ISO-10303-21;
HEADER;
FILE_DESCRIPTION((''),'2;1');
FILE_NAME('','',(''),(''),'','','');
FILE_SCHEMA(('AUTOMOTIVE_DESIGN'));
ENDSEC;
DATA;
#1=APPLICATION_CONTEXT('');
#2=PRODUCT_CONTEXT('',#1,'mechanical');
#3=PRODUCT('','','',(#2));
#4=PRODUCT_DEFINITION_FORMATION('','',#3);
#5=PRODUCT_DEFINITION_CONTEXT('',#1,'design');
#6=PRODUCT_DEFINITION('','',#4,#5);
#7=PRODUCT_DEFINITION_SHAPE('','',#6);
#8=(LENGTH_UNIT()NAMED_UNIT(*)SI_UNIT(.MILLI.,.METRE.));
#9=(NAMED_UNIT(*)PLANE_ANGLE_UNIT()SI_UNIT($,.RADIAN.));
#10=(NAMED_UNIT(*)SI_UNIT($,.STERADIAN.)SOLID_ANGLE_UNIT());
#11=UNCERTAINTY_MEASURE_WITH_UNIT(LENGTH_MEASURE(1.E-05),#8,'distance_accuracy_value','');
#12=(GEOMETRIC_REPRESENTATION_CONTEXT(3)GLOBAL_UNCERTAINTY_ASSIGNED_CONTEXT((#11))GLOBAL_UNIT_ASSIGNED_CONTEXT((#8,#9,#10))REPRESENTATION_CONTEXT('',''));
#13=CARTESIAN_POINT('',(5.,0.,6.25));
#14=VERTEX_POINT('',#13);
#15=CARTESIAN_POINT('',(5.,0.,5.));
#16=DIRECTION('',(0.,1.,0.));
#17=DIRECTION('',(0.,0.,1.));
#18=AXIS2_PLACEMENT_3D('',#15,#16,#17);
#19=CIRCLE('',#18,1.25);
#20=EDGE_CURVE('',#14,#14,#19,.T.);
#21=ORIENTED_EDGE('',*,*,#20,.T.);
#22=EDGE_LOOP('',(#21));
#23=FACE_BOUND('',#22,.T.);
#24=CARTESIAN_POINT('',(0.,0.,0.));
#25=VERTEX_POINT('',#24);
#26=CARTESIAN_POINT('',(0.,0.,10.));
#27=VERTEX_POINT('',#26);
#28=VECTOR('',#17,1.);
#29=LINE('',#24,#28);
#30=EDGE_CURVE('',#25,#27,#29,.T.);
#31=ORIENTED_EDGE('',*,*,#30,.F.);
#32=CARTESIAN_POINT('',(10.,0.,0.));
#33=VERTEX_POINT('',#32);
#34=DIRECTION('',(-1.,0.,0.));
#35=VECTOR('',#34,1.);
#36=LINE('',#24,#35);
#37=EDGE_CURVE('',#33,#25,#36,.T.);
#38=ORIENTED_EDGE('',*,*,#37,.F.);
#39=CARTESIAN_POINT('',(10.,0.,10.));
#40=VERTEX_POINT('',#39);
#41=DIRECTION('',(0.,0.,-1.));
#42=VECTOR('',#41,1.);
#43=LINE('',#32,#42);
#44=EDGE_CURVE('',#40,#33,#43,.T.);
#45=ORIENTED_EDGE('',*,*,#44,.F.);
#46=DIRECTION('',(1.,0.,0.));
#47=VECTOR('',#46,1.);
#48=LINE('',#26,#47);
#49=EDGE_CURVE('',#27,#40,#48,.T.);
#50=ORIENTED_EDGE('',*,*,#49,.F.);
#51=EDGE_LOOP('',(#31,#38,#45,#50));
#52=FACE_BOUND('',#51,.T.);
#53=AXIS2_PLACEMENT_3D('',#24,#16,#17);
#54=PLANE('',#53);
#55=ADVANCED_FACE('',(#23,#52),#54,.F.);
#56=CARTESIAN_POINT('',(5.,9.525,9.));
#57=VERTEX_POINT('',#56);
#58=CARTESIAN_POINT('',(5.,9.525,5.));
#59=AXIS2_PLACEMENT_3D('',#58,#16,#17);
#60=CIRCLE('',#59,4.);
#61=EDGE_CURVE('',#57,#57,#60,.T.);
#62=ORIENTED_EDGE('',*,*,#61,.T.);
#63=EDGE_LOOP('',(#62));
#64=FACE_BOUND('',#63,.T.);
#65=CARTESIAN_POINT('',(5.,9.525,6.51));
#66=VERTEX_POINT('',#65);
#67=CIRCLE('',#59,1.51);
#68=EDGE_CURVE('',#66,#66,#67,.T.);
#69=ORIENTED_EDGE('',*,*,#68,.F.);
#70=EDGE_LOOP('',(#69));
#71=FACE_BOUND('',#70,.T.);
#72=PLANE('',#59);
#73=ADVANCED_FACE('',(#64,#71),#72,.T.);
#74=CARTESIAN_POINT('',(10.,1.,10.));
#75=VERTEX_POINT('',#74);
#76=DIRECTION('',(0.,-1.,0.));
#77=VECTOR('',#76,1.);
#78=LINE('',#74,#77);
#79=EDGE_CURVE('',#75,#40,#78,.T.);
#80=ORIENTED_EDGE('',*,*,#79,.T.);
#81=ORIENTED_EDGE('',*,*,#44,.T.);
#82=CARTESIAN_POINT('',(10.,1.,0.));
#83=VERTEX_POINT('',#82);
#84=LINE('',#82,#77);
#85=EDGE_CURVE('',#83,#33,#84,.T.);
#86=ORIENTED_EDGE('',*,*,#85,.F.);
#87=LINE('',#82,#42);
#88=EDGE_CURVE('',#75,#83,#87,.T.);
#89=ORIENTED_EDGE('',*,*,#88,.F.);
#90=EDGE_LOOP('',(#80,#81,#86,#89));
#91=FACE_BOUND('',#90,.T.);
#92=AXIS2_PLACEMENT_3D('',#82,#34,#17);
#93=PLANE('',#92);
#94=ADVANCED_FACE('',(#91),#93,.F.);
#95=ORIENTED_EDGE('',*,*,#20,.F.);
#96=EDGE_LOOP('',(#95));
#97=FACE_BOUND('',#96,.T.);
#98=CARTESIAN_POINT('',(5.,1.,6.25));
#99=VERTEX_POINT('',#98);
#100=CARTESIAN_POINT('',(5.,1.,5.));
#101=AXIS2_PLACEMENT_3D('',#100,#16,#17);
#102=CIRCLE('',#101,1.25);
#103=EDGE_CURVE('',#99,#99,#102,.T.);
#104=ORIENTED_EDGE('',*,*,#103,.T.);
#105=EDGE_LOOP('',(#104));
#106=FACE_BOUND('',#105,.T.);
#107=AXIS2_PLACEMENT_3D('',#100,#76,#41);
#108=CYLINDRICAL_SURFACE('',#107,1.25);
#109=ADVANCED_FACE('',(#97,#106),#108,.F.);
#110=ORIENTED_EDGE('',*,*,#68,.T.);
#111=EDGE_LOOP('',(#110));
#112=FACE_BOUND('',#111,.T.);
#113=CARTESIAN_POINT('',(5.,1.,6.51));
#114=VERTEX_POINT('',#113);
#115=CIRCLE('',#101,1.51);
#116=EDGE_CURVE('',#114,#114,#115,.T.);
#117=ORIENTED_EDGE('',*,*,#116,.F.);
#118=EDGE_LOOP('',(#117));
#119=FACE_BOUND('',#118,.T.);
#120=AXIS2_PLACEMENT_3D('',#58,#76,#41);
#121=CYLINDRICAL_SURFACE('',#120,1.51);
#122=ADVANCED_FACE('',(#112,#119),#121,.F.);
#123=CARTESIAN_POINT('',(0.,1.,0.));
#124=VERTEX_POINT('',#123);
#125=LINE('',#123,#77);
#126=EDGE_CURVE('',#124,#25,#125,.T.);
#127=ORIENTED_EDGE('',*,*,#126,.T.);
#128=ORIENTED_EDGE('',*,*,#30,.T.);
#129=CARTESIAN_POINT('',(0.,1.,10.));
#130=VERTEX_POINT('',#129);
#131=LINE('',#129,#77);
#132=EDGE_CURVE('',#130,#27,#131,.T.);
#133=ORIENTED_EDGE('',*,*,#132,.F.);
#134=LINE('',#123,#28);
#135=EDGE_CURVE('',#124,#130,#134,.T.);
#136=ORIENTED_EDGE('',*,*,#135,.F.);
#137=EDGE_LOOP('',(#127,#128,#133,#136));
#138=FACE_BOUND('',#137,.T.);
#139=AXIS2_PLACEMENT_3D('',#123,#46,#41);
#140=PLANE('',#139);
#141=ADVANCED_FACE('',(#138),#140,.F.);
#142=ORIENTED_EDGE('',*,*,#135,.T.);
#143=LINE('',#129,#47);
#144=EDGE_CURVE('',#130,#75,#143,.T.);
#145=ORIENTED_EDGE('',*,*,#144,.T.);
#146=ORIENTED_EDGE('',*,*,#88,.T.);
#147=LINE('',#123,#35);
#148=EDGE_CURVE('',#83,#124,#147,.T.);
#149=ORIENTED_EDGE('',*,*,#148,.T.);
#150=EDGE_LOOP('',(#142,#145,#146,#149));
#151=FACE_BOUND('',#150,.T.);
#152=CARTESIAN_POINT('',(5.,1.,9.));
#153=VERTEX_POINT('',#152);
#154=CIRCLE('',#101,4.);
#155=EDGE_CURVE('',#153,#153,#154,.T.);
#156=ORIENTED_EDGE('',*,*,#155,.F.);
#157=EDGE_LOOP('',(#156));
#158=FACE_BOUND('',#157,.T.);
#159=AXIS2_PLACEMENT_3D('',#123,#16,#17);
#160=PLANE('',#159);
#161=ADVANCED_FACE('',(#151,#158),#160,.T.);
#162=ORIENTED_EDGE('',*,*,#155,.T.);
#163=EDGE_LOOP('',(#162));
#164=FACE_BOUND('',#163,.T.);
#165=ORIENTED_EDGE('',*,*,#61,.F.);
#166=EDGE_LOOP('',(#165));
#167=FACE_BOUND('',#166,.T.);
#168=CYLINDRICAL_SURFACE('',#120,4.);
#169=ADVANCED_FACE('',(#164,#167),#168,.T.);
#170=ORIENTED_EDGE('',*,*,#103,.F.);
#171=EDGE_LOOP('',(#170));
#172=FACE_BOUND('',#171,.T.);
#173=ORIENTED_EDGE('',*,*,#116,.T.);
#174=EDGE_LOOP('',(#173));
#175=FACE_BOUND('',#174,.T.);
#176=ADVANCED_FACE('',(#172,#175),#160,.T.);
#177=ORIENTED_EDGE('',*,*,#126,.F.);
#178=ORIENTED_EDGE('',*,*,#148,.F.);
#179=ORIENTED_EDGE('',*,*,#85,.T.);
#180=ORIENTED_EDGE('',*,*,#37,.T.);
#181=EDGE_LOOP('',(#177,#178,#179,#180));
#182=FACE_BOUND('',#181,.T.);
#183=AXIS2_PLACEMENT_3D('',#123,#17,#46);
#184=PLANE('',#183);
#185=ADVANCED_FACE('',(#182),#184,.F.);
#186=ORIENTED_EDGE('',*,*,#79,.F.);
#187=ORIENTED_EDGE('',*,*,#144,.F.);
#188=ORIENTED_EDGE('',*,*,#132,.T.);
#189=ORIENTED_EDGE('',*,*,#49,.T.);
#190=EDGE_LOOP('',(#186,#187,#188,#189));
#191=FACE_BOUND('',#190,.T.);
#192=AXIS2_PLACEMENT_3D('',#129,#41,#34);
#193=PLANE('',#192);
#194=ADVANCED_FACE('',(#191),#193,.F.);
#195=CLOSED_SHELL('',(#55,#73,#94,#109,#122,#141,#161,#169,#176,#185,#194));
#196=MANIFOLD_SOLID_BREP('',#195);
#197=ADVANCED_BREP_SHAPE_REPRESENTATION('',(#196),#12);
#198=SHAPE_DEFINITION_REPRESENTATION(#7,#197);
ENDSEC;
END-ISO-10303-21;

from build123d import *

# Parameters (mm, degrees)
SKETCH1_W           = 10
SKETCH1_H           = 10
SKETCH1_R           = 1.25
BOSS_EXTRUDE1_DEPTH = 1
SKETCH2_R           = 4
SKETCH2_R_2         = 1.51
BOSS_EXTRUDE2_DEPTH = 8.525


with BuildPart() as part:
    # Sketch1 → Boss-Extrude1 (new body)
    with BuildSketch(Plane(origin=(0, 0, 0), x_dir=(1, 0, 0), z_dir=(0, 1, 0))):
        with Locations((5, -5)):
            Rectangle(SKETCH1_W, SKETCH1_H)
        with Locations((5, -5)):
            Circle(SKETCH1_R, mode=Mode.SUBTRACT)
    extrude(amount=BOSS_EXTRUDE1_DEPTH)

    # Sketch2 → Boss-Extrude2 (add)
    with BuildSketch(Plane(origin=(0, 1, 0), x_dir=(1, 0, 0), z_dir=(0, 1, 0))):
        with Locations((5, -5)):
            Circle(SKETCH2_R)
        with Locations((5, -5)):
            Circle(SKETCH2_R_2, mode=Mode.SUBTRACT)
    extrude(amount=BOSS_EXTRUDE2_DEPTH)


solid = part.part
